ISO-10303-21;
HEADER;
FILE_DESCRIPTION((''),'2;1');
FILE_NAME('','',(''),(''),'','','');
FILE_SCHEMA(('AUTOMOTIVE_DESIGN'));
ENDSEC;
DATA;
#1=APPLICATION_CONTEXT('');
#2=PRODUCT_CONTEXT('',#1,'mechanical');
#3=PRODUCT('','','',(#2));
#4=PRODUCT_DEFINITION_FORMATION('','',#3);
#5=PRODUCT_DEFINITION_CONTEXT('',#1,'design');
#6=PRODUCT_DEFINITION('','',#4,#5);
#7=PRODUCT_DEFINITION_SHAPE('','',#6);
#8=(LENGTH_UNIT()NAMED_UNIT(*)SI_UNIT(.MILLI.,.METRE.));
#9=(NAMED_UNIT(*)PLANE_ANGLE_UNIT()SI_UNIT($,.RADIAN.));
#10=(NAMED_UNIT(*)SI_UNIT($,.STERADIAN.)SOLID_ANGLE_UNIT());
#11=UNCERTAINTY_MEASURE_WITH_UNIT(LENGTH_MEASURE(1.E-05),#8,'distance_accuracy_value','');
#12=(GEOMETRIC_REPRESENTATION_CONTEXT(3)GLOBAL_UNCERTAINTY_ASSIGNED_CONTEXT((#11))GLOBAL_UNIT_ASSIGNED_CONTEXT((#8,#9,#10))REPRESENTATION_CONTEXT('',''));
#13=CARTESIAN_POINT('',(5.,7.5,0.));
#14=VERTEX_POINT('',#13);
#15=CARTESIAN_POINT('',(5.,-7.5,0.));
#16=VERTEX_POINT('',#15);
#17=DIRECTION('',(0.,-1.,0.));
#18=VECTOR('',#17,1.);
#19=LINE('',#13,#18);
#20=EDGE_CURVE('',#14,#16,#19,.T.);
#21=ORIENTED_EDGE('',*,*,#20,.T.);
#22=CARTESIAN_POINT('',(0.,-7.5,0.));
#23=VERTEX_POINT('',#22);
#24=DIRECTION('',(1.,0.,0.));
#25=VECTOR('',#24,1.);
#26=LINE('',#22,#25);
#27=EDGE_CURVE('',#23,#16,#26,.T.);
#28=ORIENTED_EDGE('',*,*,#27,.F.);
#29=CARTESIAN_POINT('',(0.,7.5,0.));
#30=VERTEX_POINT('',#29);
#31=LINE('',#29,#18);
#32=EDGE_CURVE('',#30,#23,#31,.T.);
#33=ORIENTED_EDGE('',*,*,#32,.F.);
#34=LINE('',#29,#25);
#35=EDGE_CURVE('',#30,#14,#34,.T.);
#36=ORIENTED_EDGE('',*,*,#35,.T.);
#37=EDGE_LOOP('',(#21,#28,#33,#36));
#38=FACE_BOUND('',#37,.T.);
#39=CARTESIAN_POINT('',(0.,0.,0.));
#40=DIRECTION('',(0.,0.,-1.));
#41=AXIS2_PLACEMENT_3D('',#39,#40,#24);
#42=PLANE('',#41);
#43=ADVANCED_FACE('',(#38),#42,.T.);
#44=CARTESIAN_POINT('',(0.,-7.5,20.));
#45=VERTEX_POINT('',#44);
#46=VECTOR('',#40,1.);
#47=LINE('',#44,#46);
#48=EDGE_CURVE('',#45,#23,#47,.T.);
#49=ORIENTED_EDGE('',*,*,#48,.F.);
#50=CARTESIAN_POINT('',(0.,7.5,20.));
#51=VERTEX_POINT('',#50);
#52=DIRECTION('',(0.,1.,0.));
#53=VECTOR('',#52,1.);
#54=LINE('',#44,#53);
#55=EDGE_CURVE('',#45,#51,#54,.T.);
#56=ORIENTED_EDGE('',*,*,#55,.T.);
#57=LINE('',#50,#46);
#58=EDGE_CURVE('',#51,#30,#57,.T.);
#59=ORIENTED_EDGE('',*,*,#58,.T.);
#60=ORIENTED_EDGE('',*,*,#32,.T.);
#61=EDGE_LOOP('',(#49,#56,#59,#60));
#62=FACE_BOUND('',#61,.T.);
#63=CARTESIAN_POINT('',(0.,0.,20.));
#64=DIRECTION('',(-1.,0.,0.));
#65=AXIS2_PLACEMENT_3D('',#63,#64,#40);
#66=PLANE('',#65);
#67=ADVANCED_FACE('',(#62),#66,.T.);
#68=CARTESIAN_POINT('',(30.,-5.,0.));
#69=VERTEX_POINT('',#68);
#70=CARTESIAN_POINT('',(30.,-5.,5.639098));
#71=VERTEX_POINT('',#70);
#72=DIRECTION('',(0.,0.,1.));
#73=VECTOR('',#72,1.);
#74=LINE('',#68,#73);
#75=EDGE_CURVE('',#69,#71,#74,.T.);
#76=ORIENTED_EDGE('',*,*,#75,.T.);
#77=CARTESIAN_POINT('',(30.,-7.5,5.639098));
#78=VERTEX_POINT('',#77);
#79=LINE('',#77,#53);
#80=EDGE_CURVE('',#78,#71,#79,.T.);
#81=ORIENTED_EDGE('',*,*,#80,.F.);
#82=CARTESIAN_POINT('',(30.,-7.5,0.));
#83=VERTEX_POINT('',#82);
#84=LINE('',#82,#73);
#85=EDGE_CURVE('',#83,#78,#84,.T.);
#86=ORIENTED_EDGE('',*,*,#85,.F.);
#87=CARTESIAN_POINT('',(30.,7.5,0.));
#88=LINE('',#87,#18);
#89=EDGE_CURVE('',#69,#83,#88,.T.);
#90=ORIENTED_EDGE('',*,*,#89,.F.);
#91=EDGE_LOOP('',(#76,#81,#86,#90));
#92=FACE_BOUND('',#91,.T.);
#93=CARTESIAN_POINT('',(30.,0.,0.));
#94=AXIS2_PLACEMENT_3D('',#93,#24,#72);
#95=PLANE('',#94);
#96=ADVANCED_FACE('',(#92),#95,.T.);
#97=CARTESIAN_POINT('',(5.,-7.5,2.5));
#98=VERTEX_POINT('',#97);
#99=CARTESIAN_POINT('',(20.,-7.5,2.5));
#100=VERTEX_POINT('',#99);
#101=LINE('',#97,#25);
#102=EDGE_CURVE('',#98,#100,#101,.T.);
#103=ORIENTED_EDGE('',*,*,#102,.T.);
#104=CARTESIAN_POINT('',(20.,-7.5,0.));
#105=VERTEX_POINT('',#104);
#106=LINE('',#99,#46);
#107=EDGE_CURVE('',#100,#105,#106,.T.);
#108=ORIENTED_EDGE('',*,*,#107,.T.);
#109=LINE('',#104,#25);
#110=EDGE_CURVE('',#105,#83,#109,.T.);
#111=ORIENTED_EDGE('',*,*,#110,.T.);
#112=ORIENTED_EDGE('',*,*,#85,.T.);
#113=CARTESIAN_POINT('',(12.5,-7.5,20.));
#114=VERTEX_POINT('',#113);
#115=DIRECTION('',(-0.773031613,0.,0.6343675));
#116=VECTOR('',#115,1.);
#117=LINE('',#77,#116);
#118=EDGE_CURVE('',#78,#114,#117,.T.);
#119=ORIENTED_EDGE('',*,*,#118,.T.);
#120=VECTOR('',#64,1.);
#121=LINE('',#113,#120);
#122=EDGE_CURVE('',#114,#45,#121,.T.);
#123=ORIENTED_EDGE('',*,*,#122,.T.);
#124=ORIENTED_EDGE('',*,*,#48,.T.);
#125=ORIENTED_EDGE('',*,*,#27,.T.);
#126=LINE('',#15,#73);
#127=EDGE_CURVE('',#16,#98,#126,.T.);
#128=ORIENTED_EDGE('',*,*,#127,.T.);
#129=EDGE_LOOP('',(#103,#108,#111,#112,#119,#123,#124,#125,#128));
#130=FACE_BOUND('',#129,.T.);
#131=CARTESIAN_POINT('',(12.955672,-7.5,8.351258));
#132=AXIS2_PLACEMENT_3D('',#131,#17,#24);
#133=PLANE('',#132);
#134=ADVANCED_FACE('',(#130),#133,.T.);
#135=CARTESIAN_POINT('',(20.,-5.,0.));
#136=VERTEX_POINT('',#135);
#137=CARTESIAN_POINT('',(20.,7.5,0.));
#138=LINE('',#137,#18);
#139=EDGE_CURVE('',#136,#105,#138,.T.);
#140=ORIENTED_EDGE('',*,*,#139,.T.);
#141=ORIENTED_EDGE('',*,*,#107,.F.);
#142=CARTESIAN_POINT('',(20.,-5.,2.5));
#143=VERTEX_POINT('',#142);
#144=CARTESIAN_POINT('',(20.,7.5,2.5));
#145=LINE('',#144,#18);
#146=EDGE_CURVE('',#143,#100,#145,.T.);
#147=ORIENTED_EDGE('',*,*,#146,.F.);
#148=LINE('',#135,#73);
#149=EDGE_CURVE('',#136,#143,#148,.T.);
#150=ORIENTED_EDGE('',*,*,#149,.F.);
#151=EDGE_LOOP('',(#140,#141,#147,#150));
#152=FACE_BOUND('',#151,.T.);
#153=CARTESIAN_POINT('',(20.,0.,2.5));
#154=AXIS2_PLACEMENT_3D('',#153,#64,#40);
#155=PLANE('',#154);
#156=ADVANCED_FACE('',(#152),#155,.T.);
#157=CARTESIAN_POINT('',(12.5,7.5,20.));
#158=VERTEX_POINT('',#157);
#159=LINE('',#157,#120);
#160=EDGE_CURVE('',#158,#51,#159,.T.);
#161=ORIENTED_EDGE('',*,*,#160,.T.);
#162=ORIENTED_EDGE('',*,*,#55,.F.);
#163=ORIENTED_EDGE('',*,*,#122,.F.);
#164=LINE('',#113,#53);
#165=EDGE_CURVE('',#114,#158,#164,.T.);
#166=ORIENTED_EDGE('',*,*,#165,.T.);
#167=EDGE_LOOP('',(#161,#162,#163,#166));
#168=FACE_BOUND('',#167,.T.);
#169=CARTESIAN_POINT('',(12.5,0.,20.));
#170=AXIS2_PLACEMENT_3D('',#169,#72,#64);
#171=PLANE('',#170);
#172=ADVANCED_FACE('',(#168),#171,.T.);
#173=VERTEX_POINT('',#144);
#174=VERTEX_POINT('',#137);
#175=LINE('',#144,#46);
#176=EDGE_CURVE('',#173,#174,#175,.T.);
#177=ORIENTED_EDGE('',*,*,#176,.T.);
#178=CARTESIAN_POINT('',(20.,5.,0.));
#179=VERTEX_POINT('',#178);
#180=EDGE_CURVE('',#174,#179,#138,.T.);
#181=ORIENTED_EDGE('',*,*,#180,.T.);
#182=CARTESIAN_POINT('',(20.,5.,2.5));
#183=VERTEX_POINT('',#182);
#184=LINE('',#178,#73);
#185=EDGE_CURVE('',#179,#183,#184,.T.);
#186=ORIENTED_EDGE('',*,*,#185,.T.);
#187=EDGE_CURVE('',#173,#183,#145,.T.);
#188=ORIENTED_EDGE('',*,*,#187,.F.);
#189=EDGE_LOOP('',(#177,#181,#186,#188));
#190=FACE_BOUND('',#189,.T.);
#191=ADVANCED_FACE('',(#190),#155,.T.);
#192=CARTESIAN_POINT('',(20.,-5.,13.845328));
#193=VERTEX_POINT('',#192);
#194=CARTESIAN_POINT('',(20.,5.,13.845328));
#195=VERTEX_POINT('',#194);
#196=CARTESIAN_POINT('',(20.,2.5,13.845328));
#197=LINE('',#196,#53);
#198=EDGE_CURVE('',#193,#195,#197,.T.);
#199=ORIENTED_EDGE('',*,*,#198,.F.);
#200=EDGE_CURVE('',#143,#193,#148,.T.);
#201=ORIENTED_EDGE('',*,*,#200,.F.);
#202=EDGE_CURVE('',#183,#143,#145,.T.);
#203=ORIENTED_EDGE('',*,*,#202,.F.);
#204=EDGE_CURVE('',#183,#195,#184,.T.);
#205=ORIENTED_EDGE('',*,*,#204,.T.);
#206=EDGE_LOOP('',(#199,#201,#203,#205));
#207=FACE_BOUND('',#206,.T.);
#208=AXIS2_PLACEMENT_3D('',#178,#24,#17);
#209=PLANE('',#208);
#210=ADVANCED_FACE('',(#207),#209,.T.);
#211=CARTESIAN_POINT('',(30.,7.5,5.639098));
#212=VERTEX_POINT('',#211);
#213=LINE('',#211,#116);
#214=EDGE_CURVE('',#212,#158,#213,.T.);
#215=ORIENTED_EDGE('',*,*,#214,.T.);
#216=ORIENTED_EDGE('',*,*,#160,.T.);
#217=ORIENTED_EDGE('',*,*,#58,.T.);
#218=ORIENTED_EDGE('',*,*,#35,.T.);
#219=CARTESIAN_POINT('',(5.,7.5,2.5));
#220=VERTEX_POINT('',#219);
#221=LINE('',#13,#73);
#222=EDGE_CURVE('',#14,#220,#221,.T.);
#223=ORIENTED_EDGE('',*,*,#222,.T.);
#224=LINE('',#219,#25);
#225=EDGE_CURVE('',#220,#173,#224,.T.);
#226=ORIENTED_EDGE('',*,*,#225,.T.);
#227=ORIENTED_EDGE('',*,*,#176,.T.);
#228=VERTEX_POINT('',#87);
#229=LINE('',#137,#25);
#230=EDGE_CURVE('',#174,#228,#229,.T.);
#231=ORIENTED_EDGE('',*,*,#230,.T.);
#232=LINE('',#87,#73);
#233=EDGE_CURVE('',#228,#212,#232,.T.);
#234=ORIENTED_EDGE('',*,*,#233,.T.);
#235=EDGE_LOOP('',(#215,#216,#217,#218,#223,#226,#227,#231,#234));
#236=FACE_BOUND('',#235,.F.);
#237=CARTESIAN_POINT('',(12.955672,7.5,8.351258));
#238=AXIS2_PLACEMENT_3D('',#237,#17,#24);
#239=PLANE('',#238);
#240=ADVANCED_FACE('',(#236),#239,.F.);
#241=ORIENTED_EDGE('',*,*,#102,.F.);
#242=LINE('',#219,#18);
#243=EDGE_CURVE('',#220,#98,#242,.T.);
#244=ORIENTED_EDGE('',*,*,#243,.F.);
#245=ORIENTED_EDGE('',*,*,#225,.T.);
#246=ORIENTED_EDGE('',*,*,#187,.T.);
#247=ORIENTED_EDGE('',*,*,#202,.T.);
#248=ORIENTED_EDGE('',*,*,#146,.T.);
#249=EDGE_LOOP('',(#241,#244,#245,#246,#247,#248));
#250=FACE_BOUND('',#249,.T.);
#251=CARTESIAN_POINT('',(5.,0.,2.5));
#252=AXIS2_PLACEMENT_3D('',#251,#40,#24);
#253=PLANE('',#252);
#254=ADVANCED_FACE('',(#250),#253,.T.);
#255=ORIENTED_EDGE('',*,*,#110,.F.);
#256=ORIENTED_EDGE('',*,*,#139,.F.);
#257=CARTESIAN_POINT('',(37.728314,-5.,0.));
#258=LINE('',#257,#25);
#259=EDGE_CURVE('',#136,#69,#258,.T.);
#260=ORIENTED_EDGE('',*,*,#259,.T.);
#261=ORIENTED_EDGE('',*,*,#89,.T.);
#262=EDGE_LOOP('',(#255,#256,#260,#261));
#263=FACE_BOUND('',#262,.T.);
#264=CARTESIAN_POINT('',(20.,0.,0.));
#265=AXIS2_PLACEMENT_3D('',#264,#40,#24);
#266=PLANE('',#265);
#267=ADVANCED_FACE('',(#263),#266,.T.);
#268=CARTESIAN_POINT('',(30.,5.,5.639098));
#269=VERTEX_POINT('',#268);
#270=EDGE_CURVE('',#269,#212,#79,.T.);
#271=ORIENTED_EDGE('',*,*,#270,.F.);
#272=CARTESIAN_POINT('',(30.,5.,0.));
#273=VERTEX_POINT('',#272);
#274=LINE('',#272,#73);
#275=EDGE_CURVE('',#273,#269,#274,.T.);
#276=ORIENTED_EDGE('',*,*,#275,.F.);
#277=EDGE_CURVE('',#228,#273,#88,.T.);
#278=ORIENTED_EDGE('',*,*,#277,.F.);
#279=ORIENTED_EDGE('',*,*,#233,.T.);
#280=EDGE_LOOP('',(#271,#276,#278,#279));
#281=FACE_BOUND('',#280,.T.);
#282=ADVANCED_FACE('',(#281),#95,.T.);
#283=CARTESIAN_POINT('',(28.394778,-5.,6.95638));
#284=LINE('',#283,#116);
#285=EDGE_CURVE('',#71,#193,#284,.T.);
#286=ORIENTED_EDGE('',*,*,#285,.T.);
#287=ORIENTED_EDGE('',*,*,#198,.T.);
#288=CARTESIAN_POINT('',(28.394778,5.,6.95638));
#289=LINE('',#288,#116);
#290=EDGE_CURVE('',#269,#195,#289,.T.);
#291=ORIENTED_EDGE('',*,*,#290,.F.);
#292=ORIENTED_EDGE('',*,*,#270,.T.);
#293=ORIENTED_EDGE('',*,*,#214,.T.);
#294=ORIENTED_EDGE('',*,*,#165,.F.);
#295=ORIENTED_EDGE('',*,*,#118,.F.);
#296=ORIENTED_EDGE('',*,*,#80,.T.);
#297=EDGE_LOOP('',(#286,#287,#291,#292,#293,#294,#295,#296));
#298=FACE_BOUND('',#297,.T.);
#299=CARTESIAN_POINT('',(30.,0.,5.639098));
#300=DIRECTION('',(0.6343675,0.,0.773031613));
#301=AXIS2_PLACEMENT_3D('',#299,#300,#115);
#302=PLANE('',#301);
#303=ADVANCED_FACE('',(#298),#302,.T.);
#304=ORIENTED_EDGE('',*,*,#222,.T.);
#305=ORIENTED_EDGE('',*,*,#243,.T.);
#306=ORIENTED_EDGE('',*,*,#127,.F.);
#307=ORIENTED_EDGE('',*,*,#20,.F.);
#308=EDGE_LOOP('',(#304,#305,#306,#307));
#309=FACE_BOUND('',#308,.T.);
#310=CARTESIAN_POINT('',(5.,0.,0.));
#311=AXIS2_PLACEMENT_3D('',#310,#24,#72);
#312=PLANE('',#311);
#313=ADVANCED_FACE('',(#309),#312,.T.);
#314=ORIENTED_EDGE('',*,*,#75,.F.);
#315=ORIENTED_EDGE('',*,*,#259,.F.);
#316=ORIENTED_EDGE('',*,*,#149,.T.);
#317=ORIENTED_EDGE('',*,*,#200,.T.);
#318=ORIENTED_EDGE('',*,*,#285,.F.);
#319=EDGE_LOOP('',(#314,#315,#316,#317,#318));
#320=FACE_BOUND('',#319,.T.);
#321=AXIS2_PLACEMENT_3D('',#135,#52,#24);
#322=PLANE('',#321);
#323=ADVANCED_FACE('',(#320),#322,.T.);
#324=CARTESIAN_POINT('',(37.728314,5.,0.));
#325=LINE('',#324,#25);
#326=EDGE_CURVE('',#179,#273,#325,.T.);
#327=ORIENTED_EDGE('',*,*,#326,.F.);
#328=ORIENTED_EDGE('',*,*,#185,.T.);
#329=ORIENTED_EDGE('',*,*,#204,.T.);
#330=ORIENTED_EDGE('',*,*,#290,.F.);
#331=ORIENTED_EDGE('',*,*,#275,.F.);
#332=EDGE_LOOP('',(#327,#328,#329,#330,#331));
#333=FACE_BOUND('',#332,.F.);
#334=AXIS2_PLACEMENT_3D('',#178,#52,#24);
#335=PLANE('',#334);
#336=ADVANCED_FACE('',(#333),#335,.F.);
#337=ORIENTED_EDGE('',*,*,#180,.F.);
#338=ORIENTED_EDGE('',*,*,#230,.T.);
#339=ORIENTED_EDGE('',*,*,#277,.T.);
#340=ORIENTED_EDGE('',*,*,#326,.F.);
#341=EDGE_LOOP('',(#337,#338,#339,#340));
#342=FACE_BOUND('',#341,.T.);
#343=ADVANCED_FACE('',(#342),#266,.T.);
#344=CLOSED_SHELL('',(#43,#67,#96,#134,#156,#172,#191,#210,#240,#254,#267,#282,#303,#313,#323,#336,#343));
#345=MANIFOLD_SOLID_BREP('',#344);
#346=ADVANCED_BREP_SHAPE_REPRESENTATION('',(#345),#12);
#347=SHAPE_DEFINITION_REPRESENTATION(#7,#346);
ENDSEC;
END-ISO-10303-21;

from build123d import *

# Parameters (mm, degrees)
F1_DEPTH = 7.5
F2_W     = 35.456628
F2_H     = 10
F3_DEPTH = 20.001


with BuildPart() as f1:
    # F0 (on Front) → F1 (new body, symmetric)
    with BuildSketch(Plane.XZ):
        Polygon((0, 20), (0, 0), (5, 0), (5, 2.5), (20, 2.5), (20, 0), (30, 0), (30, 5.639098), (12.5, 20), align=None)
    extrude(amount=F1_DEPTH, both=True)

    # F2 (on face) → F3 (cut, through all)
    with BuildSketch(Plane(origin=(0, 0, 0), x_dir=(1, 0, 0), z_dir=(0, 0, -1))):
        with Locations((37.728314, 0)):
            Rectangle(F2_W, F2_H)
    extrude(amount=-F3_DEPTH, mode=Mode.SUBTRACT)


solid = f1.part
